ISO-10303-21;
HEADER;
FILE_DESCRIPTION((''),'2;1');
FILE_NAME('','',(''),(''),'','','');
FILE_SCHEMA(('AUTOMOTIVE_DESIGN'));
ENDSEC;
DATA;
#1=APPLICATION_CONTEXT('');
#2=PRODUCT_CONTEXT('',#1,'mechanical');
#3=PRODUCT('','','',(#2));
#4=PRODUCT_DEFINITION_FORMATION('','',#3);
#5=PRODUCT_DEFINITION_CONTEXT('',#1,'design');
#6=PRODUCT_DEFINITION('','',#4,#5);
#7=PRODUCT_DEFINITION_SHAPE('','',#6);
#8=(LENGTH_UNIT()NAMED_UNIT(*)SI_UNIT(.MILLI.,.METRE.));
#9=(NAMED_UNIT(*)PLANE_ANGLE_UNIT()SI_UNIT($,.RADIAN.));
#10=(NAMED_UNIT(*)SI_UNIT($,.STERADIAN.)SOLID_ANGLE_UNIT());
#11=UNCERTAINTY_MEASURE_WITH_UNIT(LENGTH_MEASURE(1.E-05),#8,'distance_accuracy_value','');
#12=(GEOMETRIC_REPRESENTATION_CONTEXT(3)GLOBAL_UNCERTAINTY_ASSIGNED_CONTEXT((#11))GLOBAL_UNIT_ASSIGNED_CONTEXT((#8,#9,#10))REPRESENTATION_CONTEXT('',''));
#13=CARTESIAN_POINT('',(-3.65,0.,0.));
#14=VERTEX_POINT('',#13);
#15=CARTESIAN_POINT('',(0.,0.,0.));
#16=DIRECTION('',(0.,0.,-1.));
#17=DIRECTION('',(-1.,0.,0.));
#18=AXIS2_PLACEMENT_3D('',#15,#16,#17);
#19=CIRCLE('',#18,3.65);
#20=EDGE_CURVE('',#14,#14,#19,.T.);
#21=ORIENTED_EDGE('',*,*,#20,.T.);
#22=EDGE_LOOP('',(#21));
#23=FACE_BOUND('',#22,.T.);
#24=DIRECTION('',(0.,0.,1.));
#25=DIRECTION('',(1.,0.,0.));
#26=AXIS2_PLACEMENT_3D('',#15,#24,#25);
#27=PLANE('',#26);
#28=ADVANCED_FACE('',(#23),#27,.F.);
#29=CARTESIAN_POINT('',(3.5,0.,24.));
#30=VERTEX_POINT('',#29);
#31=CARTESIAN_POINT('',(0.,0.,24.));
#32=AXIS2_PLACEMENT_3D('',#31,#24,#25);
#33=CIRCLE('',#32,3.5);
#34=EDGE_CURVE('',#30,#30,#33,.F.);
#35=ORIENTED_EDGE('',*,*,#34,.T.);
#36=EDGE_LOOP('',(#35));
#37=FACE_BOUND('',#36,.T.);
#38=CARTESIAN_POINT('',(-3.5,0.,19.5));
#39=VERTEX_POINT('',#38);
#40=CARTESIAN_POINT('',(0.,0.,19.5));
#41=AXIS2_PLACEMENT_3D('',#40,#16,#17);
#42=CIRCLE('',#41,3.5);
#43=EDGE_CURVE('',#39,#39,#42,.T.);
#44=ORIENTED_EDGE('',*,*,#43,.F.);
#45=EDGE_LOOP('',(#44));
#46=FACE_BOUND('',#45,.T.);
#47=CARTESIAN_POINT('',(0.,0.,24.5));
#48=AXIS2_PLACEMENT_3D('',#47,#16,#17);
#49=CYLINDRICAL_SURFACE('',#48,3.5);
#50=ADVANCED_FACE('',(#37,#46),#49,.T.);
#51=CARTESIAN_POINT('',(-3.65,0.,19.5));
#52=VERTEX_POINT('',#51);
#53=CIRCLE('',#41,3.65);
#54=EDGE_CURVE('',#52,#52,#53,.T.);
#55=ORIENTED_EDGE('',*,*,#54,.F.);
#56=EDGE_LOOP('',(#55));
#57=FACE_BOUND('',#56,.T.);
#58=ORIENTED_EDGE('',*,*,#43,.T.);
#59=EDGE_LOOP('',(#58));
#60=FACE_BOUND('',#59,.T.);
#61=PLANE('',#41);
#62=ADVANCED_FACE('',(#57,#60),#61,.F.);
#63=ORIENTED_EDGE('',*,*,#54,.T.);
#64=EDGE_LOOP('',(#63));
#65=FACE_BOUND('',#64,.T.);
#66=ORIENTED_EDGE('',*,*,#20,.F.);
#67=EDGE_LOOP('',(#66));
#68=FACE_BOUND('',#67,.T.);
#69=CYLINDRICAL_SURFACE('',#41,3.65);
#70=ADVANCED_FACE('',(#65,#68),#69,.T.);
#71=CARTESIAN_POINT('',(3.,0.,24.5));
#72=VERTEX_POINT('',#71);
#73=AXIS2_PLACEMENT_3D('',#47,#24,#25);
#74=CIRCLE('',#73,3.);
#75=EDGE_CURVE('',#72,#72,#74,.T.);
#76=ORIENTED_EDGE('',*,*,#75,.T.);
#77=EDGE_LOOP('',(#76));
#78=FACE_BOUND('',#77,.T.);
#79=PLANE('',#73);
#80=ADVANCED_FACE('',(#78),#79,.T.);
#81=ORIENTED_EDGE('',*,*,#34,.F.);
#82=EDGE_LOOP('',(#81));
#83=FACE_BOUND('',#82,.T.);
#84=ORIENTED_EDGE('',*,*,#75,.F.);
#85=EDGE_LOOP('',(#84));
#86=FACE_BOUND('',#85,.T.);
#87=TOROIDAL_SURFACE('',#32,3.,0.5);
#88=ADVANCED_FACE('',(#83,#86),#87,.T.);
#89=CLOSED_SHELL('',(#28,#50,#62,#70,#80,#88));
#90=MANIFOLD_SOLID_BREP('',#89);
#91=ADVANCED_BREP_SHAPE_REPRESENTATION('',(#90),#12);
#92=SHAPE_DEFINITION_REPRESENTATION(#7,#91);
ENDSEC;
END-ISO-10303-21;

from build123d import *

# Parameters (mm, degrees)
SKIZZE1_R                       = 3.5
AUFSATZ_LINEAR_AUSTRAGEN1_DEPTH = 24.5
VERRUNDUNG1_R                   = 0.5
SKIZZE2_R                       = 3.65
AUFSATZ_LINEAR_AUSTRAGEN2_DEPTH = 19.5


with BuildPart() as part:
    # Skizze1 → Aufsatz-Linear austragen1 (new body)
    with BuildSketch(Plane.XY):
        Circle(SKIZZE1_R)
    extrude(amount=AUFSATZ_LINEAR_AUSTRAGEN1_DEPTH)

    # Verrundung1
    verrundung1_edges = [part.edges().sort_by_distance(p)[0] for p in [
        (-3.5, 0, 24.5),
    ]]
    fillet(verrundung1_edges, radius=VERRUNDUNG1_R)

    # Skizze2 → Aufsatz-Linear austragen2 (add)
    with BuildSketch(Plane(origin=(0, 0, 0), x_dir=(-1, 0, 0), z_dir=(0, 0, -1))):
        Circle(SKIZZE2_R)
    extrude(amount=-AUFSATZ_LINEAR_AUSTRAGEN2_DEPTH)


solid = part.part
